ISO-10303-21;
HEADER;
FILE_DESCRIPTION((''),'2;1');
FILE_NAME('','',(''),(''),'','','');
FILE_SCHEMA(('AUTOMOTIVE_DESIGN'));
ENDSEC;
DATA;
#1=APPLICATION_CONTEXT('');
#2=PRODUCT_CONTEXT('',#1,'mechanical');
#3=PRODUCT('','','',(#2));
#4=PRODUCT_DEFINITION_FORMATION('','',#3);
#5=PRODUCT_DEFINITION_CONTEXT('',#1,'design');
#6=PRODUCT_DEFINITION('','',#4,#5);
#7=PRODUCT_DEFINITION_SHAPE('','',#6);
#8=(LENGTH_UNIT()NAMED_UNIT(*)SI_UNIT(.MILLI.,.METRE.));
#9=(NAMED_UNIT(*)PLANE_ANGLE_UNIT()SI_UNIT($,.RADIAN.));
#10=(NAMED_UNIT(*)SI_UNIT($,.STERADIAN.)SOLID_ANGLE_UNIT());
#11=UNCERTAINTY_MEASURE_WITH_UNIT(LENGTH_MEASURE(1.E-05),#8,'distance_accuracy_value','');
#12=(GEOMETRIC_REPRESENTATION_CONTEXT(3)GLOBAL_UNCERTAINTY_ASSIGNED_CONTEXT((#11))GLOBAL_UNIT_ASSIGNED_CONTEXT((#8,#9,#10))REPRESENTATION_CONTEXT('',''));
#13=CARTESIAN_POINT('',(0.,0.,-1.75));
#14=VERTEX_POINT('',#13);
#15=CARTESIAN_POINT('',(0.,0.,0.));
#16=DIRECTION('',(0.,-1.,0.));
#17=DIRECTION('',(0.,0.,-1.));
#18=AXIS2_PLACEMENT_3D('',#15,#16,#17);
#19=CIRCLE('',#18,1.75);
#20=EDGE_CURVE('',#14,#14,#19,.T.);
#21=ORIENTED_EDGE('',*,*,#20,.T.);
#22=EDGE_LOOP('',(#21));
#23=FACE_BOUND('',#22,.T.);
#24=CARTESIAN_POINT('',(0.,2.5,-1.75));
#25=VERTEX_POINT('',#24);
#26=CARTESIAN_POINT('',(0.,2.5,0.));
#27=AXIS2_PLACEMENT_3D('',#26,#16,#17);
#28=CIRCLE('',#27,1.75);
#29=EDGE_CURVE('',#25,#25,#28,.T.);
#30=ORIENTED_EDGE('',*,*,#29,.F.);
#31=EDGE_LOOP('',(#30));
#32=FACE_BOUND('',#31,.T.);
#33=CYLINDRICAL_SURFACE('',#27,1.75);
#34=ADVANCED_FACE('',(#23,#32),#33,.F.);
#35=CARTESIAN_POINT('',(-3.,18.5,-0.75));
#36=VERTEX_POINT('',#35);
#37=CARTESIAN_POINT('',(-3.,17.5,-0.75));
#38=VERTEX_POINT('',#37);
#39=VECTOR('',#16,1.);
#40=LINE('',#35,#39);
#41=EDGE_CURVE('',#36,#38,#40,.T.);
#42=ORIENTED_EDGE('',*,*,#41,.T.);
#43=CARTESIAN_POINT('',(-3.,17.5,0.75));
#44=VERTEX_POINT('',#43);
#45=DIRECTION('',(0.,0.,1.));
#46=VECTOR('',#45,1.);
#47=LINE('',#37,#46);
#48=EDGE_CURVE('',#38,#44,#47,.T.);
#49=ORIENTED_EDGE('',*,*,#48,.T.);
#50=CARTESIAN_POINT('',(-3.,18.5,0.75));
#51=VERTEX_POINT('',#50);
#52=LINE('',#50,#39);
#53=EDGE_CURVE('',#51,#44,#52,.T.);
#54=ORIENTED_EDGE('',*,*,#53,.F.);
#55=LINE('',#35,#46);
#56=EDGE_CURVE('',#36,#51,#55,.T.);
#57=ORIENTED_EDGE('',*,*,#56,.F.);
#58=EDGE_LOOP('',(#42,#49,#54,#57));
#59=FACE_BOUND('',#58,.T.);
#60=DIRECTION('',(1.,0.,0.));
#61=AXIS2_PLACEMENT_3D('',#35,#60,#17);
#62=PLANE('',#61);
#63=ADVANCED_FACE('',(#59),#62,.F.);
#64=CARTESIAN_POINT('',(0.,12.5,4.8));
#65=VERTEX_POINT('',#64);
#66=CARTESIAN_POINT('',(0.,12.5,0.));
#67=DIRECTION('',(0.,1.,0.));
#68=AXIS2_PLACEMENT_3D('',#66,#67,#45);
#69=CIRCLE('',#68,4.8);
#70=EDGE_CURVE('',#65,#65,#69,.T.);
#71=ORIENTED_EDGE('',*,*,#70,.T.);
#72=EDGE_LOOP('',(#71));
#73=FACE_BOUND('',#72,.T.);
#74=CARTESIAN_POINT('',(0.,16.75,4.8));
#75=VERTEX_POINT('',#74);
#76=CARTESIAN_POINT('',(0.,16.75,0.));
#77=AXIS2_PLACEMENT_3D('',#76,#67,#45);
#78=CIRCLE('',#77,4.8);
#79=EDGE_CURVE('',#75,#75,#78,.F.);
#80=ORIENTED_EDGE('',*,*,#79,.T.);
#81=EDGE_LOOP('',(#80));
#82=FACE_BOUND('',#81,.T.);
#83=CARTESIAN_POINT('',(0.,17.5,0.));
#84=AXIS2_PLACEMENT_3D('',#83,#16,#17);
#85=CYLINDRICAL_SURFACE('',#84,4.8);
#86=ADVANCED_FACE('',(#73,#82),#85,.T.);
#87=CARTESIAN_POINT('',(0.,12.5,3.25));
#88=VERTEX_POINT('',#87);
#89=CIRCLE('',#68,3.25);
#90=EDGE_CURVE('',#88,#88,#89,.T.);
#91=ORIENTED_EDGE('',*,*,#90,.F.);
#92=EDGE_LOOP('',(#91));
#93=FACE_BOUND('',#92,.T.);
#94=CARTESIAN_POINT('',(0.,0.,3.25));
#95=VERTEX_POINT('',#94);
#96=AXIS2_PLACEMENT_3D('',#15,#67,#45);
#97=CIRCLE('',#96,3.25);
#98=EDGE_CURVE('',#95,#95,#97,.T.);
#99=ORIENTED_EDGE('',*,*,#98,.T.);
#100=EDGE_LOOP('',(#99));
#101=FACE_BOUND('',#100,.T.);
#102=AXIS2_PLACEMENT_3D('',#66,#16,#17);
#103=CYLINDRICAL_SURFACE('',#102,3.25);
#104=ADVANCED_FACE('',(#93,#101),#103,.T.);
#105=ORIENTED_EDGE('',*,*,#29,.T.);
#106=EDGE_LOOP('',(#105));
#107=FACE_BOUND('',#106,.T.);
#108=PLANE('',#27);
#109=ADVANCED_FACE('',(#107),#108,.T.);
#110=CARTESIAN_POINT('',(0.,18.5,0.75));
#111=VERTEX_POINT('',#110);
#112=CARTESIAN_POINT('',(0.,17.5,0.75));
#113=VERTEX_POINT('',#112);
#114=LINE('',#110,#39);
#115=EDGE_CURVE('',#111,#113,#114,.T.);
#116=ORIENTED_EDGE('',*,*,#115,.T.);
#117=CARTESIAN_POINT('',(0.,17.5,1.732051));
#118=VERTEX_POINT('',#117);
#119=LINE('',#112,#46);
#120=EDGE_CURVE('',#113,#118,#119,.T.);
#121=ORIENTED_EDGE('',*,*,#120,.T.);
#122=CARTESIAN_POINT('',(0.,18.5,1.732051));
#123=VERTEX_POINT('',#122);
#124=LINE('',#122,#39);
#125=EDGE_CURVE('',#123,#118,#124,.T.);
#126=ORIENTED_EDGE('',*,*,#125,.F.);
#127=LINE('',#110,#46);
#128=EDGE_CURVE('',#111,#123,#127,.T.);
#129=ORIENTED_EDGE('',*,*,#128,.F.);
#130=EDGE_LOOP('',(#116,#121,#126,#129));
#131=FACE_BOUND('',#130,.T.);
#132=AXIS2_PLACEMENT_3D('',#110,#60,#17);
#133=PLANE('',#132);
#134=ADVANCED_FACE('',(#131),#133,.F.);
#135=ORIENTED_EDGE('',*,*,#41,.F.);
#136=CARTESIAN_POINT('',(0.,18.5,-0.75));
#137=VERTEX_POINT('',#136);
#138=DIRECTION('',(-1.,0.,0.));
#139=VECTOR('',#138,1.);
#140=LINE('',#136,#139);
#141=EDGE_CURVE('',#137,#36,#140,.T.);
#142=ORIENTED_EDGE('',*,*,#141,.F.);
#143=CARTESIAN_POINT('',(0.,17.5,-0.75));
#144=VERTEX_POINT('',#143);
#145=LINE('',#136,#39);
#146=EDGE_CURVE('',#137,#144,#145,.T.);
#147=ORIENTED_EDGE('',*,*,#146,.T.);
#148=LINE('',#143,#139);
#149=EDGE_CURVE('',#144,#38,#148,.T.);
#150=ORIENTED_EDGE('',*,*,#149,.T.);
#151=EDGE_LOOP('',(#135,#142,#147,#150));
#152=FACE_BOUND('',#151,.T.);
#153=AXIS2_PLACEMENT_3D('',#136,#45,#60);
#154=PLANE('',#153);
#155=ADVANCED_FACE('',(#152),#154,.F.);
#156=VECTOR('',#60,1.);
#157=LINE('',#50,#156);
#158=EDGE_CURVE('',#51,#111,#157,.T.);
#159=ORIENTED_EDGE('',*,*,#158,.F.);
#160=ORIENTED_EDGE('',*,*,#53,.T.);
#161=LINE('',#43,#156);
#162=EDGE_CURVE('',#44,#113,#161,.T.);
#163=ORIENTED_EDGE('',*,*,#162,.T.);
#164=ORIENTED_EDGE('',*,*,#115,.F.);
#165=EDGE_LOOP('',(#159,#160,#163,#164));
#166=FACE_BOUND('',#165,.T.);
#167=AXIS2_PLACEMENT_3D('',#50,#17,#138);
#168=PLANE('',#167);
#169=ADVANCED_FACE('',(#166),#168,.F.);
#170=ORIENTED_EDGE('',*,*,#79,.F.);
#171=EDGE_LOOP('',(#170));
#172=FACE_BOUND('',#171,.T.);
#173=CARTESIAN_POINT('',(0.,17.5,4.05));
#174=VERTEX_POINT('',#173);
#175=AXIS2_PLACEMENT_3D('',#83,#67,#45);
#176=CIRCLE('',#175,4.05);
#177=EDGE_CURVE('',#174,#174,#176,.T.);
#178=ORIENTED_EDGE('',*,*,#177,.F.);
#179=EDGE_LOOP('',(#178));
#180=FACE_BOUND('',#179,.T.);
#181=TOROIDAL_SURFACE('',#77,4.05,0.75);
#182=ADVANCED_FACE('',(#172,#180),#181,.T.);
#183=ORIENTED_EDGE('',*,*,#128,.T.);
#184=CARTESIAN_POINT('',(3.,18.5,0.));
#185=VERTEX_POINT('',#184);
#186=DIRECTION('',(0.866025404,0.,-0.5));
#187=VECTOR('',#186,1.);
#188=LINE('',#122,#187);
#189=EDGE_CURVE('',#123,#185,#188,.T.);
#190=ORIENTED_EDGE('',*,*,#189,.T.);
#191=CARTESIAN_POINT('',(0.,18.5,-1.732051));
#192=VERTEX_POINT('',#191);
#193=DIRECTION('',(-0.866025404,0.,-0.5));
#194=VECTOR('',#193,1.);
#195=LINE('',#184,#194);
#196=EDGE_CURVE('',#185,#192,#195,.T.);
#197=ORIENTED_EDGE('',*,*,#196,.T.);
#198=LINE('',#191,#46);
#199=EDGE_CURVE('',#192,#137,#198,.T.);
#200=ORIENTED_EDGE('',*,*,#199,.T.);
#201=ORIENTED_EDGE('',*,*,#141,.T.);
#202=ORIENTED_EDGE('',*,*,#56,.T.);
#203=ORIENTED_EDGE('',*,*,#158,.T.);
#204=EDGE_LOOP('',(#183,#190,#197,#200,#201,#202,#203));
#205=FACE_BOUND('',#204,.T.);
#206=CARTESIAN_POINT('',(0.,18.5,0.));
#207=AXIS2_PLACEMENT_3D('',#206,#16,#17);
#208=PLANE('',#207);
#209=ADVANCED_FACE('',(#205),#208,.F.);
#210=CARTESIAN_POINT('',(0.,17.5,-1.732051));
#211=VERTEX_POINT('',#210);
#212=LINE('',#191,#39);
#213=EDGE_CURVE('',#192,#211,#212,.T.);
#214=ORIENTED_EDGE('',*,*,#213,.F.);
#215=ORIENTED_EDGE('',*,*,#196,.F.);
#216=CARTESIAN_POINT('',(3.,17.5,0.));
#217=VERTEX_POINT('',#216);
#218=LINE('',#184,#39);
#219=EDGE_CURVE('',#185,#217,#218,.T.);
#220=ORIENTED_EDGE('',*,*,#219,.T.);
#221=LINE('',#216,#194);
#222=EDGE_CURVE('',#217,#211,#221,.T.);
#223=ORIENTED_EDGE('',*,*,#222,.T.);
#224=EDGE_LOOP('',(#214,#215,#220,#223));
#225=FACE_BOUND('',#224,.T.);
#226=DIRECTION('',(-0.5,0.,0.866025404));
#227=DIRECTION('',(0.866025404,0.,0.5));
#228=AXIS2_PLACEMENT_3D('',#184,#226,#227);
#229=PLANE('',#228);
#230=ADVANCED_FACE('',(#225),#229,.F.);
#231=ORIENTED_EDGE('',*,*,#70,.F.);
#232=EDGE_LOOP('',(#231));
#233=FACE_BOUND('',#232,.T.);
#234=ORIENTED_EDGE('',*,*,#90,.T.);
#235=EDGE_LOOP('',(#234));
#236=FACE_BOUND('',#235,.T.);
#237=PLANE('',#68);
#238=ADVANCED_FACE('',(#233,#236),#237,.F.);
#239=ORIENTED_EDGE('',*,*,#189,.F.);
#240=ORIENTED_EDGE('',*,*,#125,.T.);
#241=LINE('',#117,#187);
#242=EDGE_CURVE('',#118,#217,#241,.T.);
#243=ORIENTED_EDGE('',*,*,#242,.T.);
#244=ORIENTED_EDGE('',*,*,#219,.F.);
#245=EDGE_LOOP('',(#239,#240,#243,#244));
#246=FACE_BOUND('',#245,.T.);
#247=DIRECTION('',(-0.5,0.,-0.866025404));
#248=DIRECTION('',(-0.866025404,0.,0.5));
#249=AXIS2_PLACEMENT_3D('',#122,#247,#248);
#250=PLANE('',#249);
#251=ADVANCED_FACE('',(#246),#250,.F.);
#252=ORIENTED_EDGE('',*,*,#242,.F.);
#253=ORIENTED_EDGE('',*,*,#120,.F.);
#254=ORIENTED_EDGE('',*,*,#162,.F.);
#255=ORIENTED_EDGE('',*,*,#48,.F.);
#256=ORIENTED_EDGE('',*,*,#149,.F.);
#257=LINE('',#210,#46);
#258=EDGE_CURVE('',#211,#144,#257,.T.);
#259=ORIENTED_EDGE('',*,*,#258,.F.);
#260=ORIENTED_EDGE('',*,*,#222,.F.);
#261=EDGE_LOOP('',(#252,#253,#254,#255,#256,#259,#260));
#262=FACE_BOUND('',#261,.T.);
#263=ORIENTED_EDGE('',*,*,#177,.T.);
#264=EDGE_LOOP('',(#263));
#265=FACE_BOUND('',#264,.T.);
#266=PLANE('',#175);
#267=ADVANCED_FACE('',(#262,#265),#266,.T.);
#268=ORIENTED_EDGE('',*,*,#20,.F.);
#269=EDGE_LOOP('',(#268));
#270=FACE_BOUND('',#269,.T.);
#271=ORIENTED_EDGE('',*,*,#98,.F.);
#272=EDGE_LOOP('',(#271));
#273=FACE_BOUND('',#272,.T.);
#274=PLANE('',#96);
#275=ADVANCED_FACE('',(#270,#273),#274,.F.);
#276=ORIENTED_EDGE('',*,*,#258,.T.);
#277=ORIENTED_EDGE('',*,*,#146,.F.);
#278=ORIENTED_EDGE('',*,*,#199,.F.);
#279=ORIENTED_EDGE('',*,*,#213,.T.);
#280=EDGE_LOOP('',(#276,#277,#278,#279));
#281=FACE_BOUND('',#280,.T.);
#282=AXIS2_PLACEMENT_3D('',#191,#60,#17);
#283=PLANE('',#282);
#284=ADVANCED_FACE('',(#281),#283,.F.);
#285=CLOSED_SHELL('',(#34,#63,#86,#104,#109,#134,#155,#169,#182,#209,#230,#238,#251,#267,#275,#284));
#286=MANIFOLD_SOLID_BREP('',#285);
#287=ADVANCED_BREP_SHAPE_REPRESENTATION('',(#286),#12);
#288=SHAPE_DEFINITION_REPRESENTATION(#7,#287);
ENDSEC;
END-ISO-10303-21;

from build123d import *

# Parameters (mm, degrees)
SKETCH1_R           = 3.25
BOSS_EXTRUDE1_DEPTH = 12.5
SKETCH2_R           = 1.75
CUT_EXTRUDE1_DEPTH  = 2.5
SKETCH6_R           = 4.8
BOSS_EXTRUDE2_DEPTH = 5
FILLET1_R           = 0.75
BOSS_EXTRUDE3_DEPTH = 1


with BuildPart() as part:
    # Sketch1 → Boss-Extrude1 (new body)
    with BuildSketch(Plane(origin=(0, 0, 0), x_dir=(1, 0, 0), z_dir=(0, 1, 0))):
        Circle(SKETCH1_R)
    extrude(amount=BOSS_EXTRUDE1_DEPTH)

    # Sketch2 → Cut-Extrude1 (cut)
    with BuildSketch(Plane.XZ):
        Circle(SKETCH2_R)
    extrude(amount=-CUT_EXTRUDE1_DEPTH, mode=Mode.SUBTRACT)

    # Sketch6 → Boss-Extrude2 (add)
    with BuildSketch(Plane(origin=(0, 12.5, 0), x_dir=(1, 0, 0), z_dir=(0, 1, 0))):
        Circle(SKETCH6_R)
    extrude(amount=BOSS_EXTRUDE2_DEPTH)

    # Fillet1
    fillet1_edges = [part.edges().sort_by_distance(p)[0] for p in [
        (-4.8, 17.5, 0),
    ]]
    fillet(fillet1_edges, radius=FILLET1_R)

    # Sketch8 → Boss-Extrude3 (add)
    with BuildSketch(Plane(origin=(0, 17.5, 0), x_dir=(1, 0, 0), z_dir=(0, 1, 0))):
        Polygon((0, 0.75), (-3, 0.75), (-3, -0.75), (0, -0.75), (0, -1.732050808), (3, 0), (0, 1.732050808), align=None)
    extrude(amount=BOSS_EXTRUDE3_DEPTH)


solid = part.part
